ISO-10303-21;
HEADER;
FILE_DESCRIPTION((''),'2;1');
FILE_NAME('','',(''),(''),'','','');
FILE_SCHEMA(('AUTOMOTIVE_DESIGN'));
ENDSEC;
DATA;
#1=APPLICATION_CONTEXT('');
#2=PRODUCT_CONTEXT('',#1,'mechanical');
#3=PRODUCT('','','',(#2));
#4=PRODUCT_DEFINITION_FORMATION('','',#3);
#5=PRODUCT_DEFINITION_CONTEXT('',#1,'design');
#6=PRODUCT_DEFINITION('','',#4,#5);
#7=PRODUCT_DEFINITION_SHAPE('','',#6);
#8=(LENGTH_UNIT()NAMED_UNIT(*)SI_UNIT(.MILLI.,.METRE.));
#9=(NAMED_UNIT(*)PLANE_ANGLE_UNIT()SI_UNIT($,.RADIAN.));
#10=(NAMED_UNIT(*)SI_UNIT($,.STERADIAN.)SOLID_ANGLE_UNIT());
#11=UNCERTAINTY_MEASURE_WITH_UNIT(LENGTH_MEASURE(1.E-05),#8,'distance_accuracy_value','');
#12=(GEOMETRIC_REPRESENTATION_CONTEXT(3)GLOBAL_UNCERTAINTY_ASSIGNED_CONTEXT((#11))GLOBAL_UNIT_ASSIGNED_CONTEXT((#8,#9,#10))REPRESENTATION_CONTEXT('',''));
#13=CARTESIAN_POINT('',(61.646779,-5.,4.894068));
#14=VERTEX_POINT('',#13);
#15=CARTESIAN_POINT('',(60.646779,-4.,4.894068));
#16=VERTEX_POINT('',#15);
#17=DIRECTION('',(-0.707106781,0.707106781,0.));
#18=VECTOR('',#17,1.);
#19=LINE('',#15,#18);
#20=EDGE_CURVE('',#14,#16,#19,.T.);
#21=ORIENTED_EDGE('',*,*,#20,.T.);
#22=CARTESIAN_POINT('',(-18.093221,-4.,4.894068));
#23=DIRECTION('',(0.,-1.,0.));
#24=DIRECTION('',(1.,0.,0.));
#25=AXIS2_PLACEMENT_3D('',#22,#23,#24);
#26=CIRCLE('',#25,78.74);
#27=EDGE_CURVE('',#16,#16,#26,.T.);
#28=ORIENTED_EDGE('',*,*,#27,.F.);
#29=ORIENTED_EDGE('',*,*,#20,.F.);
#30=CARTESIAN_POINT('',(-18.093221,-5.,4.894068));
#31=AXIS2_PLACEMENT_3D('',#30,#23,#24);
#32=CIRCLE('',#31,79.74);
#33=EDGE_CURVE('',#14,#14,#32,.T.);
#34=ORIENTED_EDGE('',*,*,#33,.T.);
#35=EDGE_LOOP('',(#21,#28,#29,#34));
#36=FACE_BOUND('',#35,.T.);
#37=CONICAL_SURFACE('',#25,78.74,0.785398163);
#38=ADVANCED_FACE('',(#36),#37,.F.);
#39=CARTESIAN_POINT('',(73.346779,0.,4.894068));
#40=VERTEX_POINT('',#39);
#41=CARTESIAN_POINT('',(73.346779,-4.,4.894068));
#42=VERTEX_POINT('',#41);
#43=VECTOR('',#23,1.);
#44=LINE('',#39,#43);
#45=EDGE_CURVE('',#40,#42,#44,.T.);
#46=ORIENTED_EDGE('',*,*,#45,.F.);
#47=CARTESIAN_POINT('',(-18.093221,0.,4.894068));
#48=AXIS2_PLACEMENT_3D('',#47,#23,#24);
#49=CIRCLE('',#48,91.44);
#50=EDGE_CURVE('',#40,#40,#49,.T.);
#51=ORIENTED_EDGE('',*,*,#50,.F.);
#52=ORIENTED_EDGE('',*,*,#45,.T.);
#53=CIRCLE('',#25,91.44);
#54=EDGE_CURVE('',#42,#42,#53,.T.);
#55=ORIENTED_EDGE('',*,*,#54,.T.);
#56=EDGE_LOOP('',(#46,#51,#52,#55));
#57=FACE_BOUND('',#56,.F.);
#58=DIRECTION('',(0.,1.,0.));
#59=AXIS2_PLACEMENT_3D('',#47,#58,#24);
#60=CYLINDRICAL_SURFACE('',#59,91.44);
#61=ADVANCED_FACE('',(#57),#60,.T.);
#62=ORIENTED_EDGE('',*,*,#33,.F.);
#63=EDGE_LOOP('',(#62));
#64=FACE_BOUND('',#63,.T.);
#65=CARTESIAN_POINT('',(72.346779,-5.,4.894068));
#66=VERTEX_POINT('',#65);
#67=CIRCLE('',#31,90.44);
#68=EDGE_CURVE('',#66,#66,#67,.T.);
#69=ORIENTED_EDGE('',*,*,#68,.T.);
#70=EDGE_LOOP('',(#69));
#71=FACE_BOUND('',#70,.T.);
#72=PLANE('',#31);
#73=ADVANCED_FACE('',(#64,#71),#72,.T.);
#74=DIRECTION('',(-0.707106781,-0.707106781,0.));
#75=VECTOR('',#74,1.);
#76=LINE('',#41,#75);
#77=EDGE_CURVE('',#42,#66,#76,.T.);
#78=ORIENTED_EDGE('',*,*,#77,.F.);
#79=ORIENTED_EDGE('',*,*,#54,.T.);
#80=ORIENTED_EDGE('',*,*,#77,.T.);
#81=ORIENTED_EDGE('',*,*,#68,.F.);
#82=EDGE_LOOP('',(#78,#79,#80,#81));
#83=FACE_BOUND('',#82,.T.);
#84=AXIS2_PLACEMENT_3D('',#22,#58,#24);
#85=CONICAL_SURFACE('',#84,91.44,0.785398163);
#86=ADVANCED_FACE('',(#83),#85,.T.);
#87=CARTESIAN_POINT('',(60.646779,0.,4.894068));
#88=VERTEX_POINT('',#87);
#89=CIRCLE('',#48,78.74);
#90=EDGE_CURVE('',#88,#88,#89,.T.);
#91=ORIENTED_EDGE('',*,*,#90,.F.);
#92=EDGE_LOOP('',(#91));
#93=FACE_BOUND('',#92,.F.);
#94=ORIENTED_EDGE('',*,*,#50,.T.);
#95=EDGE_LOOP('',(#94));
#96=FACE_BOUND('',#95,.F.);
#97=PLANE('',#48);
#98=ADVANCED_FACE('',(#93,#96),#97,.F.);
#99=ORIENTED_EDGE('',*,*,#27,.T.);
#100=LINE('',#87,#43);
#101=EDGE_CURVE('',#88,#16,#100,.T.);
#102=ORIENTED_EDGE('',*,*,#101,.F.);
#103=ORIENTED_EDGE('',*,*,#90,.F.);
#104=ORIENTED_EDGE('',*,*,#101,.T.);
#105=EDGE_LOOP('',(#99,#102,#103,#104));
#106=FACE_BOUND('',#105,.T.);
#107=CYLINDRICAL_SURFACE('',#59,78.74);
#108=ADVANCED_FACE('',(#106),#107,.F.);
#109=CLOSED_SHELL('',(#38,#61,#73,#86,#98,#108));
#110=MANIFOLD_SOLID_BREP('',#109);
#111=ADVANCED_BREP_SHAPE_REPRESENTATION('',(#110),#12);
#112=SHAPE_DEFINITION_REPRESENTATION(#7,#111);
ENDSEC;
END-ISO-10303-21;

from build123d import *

# Parameters (mm, degrees)
F0_R     = 91.44
F0_R_2   = 78.74
F1_DEPTH = 5
F2_SIZE  = 1
F3_SIZE  = 1


with BuildPart() as f1:
    # F0 (on Front) → F1 (new body)
    with BuildSketch(Plane.XZ):
        with Locations((-18.093221, 4.894068)):
            Circle(F0_R)
        with Locations((-18.093221, 4.894068)):
            Circle(F0_R_2, mode=Mode.SUBTRACT)
    extrude(amount=F1_DEPTH)

    # F2
    f2_edges = [f1.edges().sort_by_distance(p)[0] for p in [
        (-109.533221, -5, 4.894068),
    ]]
    chamfer(f2_edges, length=F2_SIZE)

    # F3
    f3_edges = [f1.edges().sort_by_distance(p)[0] for p in [
        (-96.833221, -5, 4.894068),
    ]]
    chamfer(f3_edges, length=F3_SIZE)


solid = f1.part
